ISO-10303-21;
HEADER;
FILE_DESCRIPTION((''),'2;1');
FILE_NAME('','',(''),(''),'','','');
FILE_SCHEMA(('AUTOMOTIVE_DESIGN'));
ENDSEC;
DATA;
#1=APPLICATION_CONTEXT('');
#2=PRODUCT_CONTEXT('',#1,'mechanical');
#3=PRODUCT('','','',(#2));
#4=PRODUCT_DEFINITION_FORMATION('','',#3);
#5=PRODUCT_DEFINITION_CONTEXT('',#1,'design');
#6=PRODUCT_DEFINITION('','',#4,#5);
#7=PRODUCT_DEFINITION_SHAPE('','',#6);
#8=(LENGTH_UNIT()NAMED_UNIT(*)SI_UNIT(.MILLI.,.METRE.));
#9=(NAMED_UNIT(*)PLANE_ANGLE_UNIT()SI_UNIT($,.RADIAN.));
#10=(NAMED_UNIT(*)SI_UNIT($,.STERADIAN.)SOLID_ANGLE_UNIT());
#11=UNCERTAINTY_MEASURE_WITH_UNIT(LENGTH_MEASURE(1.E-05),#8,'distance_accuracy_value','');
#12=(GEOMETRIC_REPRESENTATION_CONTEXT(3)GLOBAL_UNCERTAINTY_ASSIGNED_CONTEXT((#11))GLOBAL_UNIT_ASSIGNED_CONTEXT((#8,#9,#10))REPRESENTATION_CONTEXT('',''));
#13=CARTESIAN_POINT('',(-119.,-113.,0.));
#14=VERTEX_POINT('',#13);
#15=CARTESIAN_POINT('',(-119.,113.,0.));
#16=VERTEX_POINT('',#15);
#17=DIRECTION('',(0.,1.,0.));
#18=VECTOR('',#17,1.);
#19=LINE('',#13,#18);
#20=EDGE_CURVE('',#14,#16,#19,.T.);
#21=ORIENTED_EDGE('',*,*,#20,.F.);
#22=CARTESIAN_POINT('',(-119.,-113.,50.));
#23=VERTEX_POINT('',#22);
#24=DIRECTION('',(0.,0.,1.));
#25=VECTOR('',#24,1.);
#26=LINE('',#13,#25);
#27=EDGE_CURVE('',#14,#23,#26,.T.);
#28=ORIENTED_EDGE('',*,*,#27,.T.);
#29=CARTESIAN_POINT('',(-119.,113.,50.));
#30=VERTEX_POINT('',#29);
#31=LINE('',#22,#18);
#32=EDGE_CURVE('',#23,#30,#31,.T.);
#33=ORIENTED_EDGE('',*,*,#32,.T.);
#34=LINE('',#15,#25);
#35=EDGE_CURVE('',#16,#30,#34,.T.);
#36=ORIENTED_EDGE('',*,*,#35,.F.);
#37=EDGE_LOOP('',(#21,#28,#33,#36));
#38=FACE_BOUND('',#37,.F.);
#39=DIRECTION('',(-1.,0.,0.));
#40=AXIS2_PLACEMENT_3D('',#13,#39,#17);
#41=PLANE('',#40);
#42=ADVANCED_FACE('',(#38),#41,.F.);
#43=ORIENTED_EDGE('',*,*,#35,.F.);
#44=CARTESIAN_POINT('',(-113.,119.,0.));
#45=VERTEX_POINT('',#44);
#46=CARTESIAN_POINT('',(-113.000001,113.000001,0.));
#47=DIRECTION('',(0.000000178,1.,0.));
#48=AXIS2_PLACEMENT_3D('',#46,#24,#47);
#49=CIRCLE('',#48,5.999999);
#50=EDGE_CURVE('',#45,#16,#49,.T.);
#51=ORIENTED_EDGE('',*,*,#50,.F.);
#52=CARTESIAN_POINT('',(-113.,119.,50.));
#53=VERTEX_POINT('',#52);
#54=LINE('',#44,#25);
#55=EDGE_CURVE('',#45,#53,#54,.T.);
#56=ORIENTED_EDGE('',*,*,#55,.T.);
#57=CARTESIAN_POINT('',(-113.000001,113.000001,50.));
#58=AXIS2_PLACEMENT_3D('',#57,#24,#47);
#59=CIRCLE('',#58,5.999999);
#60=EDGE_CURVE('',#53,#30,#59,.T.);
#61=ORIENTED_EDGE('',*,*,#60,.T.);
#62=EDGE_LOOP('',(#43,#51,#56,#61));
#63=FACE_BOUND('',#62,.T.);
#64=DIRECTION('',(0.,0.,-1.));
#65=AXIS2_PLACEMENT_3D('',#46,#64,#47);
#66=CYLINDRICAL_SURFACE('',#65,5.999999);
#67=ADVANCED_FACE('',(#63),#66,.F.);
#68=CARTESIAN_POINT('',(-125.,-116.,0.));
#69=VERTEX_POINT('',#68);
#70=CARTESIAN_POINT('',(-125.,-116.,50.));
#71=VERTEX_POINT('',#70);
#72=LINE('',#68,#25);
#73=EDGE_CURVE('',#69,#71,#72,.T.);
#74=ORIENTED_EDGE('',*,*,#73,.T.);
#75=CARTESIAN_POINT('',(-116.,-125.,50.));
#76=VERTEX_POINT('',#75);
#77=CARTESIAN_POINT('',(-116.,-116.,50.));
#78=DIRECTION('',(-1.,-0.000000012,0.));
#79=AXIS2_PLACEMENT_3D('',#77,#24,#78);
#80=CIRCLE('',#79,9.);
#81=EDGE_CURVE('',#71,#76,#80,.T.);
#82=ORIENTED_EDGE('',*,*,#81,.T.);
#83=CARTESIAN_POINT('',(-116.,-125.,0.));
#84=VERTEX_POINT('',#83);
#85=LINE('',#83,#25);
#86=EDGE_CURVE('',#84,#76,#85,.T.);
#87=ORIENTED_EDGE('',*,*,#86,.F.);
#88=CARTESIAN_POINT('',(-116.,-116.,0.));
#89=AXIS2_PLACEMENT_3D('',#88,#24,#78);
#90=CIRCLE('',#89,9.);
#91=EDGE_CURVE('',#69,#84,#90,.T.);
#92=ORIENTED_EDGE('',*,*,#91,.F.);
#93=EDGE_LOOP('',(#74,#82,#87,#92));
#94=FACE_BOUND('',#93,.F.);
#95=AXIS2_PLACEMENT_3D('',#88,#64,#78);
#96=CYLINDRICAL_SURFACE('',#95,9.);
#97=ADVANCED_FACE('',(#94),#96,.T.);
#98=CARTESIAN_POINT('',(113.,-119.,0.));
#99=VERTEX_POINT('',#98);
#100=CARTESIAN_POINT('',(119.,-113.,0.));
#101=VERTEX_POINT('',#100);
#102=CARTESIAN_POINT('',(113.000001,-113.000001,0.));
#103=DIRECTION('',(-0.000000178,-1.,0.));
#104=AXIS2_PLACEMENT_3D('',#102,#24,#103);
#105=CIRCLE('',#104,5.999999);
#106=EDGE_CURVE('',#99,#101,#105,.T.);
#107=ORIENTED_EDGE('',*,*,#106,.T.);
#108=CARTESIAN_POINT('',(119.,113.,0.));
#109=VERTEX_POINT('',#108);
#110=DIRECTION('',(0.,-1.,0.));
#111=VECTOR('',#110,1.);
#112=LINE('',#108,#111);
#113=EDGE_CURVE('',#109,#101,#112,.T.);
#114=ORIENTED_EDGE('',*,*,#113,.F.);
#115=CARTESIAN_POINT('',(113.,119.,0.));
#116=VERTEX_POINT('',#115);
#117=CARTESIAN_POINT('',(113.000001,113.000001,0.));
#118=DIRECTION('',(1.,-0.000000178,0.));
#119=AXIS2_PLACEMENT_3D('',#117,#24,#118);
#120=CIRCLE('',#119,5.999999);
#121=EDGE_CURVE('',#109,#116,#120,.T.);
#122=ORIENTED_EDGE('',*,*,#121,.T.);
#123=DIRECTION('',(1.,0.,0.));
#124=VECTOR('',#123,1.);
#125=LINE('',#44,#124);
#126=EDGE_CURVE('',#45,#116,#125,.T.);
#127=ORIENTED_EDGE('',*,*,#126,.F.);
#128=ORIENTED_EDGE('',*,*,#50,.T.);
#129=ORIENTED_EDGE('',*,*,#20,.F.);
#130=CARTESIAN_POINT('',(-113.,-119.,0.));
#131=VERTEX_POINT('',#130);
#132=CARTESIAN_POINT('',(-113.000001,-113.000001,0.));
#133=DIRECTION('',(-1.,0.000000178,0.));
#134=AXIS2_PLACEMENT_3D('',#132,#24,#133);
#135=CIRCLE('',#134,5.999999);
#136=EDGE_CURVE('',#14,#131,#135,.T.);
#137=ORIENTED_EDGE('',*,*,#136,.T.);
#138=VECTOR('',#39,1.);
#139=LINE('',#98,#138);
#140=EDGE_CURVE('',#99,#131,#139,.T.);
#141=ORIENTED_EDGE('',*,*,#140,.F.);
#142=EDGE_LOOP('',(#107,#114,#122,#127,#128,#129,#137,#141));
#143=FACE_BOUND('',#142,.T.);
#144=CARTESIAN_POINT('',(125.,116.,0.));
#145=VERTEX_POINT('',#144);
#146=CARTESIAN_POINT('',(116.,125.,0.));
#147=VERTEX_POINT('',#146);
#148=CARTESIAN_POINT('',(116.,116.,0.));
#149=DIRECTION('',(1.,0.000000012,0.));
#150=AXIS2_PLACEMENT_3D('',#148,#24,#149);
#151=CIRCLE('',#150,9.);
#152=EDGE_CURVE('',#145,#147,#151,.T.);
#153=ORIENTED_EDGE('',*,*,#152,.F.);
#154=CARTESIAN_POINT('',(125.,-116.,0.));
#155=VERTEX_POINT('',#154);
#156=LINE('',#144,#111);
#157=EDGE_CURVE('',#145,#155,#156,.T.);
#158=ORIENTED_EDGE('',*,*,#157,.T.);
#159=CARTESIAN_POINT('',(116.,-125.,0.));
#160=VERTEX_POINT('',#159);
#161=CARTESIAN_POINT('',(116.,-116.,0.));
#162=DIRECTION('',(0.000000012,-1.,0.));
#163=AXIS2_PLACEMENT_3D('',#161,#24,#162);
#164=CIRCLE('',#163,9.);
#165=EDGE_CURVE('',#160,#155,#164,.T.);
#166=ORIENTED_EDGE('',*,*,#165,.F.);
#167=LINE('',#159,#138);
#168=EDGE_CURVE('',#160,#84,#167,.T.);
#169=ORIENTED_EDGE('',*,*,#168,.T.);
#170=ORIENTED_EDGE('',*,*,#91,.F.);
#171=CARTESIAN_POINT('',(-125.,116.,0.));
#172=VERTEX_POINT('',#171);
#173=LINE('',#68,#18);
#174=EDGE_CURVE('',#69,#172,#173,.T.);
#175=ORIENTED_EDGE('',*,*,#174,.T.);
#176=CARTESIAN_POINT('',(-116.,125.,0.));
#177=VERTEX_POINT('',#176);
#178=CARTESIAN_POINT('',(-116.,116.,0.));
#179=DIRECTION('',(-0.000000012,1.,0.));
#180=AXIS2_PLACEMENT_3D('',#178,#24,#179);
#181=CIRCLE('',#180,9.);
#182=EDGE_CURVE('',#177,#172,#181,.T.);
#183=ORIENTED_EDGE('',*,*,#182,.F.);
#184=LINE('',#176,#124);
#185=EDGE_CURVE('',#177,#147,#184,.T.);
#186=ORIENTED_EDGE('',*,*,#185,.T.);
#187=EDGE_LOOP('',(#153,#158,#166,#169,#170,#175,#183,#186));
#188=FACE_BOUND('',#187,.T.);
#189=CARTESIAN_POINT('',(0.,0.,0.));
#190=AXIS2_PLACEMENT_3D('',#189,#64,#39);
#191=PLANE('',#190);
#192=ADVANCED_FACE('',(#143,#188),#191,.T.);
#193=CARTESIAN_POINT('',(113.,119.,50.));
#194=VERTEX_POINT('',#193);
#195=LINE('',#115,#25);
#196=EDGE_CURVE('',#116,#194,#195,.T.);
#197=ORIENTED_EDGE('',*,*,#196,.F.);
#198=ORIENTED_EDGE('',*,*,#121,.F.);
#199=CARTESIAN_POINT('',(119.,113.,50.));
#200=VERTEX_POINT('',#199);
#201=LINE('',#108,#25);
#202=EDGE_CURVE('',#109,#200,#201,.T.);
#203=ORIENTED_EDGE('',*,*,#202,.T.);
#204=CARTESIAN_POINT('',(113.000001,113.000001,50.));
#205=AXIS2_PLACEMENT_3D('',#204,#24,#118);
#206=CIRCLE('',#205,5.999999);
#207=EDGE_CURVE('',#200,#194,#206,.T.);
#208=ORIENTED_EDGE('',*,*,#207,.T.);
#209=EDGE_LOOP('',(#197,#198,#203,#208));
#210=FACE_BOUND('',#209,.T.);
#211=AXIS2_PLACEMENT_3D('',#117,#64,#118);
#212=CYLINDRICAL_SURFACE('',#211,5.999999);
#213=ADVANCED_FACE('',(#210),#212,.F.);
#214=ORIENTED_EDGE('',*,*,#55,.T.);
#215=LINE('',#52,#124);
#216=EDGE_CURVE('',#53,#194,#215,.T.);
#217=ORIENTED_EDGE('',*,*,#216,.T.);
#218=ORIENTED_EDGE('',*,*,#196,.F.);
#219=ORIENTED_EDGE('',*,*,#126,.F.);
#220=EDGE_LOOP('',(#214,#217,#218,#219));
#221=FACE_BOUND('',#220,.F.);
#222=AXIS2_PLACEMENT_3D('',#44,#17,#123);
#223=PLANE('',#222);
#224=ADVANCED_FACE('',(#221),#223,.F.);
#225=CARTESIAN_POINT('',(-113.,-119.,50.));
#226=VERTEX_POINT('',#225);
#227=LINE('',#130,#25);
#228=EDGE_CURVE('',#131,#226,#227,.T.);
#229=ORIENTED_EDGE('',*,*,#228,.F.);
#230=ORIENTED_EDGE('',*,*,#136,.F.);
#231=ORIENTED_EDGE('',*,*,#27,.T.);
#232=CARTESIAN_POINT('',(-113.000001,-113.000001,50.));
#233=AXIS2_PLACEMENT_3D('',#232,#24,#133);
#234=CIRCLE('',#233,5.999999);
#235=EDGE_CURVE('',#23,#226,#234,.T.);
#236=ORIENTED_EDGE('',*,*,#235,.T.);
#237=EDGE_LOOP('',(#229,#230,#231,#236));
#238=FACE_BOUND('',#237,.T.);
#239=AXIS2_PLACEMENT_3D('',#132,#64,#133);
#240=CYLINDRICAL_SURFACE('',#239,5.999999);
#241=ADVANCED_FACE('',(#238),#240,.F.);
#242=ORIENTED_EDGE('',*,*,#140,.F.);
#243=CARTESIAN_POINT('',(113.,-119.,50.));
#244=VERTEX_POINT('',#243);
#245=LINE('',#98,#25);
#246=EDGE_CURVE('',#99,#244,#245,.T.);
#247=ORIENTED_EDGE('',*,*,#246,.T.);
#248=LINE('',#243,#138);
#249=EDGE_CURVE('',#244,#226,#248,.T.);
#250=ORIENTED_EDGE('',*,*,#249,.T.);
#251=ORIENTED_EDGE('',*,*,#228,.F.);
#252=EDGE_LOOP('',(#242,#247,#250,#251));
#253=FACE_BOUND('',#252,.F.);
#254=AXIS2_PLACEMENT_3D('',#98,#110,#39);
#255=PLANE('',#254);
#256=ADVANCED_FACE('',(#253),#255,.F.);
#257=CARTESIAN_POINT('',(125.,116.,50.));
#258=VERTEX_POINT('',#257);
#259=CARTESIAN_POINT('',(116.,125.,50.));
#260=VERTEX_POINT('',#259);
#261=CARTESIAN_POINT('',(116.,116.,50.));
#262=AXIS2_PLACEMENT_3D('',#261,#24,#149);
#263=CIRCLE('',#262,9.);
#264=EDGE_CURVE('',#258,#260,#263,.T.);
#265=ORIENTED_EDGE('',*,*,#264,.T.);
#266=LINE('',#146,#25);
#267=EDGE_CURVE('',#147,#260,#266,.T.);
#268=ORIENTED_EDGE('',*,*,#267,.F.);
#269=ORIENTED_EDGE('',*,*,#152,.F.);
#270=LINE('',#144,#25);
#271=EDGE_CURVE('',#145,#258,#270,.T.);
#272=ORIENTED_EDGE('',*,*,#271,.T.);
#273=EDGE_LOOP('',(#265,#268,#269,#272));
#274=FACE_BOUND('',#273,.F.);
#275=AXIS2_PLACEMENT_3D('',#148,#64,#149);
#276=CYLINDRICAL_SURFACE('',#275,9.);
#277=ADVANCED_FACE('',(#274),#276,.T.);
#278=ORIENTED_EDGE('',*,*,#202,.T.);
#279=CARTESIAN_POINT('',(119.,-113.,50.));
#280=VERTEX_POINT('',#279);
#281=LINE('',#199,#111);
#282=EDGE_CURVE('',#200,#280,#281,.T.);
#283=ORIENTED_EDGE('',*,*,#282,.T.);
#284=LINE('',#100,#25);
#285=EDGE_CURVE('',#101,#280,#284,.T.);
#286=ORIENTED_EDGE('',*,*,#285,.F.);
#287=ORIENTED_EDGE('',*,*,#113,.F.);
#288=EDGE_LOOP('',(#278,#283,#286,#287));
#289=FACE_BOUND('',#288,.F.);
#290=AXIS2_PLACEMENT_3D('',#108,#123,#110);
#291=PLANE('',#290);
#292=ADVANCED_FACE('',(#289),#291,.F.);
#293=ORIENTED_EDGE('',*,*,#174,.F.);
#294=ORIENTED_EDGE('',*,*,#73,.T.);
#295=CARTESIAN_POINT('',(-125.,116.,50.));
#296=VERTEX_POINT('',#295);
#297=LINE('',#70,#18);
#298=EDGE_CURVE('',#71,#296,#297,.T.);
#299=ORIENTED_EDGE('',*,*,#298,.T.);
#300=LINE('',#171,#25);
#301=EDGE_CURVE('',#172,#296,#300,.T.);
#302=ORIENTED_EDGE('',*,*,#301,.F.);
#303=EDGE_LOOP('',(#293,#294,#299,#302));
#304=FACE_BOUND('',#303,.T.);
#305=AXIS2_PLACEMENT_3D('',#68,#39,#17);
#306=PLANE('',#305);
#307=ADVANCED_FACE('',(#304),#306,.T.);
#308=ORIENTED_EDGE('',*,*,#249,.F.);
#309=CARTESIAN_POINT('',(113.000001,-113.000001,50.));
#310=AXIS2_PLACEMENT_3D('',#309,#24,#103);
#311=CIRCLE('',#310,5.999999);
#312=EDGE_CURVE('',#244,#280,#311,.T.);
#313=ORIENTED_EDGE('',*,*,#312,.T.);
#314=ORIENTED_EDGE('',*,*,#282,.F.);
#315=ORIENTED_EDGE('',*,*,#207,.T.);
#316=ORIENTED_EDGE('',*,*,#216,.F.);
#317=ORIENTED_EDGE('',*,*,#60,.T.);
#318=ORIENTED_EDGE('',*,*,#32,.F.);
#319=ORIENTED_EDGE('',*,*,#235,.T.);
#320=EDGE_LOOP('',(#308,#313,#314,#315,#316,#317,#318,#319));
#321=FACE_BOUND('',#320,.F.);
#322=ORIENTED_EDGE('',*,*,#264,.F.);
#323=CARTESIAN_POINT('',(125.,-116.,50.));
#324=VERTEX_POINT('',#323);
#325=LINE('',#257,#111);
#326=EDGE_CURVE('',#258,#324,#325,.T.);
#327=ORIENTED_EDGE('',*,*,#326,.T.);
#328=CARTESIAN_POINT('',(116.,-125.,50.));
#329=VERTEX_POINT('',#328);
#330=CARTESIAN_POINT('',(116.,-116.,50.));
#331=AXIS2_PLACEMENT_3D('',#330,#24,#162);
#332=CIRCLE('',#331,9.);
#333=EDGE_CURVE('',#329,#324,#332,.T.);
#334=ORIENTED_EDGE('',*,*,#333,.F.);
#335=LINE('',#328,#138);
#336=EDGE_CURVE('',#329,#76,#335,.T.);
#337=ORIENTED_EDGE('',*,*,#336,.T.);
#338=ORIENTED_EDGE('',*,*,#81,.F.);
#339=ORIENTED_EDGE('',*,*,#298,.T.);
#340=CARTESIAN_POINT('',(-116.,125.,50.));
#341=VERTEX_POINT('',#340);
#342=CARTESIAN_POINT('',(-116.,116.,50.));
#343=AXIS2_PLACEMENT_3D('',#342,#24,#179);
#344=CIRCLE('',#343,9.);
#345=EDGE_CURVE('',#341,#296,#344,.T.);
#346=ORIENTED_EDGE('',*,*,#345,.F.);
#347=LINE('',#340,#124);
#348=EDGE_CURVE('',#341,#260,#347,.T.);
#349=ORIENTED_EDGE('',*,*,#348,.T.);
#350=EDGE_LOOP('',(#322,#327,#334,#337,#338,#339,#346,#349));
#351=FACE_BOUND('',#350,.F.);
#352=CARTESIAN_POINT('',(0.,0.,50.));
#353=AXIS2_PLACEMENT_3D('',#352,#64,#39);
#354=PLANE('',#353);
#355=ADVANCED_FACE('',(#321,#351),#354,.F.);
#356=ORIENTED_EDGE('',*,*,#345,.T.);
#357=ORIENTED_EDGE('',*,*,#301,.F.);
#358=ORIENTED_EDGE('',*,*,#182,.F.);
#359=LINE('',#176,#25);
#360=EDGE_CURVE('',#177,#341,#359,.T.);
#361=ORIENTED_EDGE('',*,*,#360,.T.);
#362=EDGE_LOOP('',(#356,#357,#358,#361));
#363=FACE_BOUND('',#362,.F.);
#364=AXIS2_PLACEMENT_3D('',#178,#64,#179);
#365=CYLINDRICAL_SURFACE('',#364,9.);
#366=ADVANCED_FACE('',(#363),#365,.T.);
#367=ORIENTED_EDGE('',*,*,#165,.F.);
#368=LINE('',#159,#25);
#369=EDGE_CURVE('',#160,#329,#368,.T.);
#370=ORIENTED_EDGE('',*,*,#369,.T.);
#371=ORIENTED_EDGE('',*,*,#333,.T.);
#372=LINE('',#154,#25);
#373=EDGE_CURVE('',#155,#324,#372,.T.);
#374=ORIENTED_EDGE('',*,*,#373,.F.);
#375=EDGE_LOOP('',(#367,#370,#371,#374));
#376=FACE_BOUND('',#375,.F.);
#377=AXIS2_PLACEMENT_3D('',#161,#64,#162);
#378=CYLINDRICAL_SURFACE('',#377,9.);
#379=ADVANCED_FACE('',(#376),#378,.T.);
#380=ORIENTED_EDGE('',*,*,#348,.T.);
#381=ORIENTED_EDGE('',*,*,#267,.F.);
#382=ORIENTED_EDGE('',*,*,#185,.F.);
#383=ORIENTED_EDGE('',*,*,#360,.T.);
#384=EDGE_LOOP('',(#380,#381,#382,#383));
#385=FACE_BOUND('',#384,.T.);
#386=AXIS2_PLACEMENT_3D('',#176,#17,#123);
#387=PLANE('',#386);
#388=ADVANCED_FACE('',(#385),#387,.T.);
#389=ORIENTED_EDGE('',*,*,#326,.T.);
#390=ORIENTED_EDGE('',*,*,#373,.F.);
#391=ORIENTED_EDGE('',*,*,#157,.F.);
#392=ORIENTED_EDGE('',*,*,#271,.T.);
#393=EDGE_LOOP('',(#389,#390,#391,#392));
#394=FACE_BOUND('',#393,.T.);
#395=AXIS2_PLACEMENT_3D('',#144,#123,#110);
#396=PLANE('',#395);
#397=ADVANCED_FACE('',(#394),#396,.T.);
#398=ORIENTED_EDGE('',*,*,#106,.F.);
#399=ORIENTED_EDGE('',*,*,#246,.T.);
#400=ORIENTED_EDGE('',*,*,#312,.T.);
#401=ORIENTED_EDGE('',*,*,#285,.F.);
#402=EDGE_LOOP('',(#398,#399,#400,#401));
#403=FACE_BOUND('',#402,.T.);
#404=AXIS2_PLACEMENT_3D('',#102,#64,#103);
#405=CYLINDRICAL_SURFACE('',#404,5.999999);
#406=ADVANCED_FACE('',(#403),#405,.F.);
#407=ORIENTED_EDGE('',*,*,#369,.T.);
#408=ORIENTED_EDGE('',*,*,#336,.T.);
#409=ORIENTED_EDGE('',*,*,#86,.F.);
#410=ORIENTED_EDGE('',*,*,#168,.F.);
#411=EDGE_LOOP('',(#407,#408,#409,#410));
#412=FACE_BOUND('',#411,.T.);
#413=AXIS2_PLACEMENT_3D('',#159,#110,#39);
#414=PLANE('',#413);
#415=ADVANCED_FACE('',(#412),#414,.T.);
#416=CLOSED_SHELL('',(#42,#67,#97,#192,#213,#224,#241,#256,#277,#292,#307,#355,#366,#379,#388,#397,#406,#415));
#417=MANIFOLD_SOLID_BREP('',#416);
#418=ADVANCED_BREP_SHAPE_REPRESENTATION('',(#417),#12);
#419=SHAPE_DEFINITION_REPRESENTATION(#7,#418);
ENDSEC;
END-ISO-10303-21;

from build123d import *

# Parameters (mm, degrees)
EXTRUDE_DEPTH = 50


with BuildPart() as part:
    # Sketch → Extrude (new body)
    with BuildSketch(Plane.XY):
        with BuildLine():
            Line((-116, 125), (116, 125))
            ThreePointArc((125, 116), (122.363961, 122.363961), (116, 125))
            Line((125, 116), (125, -116))
            ThreePointArc((116, -125), (122.363961, -122.363961), (125, -116))
            Line((116, -125), (-116, -125))
            ThreePointArc((-125, -116), (-122.363961, -122.363961), (-116, -125))
            Line((-125, -116), (-125, 116))
            ThreePointArc((-116, 125), (-122.363961, 122.363961), (-125, 116))
        make_face()
        with BuildLine():
            Line((-113, 119), (113, 119))
            ThreePointArc((119, 113), (117.242641, 117.242641), (113, 119))
            Line((119, 113), (119, -113))
            ThreePointArc((113, -119), (117.242641, -117.242641), (119, -113))
            Line((113, -119), (-113, -119))
            ThreePointArc((-119, -113), (-117.242641, -117.242641), (-113, -119))
            Line((-119, -113), (-119, 113))
            ThreePointArc((-113, 119), (-117.242641, 117.242641), (-119, 113))
        make_face(mode=Mode.SUBTRACT)
    extrude(amount=EXTRUDE_DEPTH)


solid = part.part
